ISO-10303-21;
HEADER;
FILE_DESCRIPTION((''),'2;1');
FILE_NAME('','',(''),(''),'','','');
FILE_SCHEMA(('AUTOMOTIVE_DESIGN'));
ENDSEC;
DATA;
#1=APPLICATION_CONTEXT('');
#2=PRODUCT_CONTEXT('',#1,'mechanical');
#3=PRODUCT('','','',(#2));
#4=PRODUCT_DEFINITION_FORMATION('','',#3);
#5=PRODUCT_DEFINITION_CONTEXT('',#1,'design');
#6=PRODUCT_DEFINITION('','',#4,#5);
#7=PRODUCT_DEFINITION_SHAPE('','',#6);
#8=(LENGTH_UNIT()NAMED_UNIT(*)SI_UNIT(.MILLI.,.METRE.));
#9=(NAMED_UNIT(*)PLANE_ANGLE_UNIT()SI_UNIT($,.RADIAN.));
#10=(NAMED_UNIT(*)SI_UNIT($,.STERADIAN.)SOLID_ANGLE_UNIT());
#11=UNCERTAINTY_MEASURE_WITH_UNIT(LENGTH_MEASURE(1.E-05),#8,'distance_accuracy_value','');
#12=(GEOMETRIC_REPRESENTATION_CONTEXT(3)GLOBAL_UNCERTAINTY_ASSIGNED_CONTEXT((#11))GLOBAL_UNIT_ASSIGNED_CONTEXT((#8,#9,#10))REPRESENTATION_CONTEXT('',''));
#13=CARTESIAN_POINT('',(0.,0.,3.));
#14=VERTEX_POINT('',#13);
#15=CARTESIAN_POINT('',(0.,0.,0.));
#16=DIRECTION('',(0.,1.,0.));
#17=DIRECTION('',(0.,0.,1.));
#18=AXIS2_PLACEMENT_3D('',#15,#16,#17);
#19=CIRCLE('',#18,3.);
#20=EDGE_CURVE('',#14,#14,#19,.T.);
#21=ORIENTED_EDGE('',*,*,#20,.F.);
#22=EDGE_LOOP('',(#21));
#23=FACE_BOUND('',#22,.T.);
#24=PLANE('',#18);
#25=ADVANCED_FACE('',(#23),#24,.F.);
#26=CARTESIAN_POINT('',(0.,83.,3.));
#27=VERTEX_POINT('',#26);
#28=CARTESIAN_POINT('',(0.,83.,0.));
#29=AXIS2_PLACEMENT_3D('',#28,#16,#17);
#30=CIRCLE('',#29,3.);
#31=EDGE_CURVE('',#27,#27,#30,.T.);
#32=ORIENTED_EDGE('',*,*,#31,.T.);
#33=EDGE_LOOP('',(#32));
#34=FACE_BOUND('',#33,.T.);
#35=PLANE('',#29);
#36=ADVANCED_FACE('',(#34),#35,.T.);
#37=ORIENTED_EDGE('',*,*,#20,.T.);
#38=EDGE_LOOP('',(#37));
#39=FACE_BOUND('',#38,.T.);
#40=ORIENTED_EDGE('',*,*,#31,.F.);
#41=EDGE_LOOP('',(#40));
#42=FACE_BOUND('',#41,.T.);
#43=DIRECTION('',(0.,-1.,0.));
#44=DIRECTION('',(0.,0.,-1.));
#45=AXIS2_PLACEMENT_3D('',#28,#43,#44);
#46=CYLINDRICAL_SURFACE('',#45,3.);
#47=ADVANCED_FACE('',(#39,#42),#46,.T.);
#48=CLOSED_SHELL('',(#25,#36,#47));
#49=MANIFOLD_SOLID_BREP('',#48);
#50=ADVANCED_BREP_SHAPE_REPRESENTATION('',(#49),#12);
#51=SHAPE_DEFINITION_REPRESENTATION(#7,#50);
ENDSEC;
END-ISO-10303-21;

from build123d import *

# Parameters (mm, degrees)
SKETCH1_R           = 3
BOSS_EXTRUDE1_DEPTH = 83


with BuildPart() as part:
    # Sketch1 → Boss-Extrude1 (new body)
    with BuildSketch(Plane(origin=(0, 0, 0), x_dir=(1, 0, 0), z_dir=(0, 1, 0))):
        with Locations(Location((0, 0, 0), (0, 0, 270))):
            Circle(SKETCH1_R)
    extrude(amount=BOSS_EXTRUDE1_DEPTH)


solid = part.part
